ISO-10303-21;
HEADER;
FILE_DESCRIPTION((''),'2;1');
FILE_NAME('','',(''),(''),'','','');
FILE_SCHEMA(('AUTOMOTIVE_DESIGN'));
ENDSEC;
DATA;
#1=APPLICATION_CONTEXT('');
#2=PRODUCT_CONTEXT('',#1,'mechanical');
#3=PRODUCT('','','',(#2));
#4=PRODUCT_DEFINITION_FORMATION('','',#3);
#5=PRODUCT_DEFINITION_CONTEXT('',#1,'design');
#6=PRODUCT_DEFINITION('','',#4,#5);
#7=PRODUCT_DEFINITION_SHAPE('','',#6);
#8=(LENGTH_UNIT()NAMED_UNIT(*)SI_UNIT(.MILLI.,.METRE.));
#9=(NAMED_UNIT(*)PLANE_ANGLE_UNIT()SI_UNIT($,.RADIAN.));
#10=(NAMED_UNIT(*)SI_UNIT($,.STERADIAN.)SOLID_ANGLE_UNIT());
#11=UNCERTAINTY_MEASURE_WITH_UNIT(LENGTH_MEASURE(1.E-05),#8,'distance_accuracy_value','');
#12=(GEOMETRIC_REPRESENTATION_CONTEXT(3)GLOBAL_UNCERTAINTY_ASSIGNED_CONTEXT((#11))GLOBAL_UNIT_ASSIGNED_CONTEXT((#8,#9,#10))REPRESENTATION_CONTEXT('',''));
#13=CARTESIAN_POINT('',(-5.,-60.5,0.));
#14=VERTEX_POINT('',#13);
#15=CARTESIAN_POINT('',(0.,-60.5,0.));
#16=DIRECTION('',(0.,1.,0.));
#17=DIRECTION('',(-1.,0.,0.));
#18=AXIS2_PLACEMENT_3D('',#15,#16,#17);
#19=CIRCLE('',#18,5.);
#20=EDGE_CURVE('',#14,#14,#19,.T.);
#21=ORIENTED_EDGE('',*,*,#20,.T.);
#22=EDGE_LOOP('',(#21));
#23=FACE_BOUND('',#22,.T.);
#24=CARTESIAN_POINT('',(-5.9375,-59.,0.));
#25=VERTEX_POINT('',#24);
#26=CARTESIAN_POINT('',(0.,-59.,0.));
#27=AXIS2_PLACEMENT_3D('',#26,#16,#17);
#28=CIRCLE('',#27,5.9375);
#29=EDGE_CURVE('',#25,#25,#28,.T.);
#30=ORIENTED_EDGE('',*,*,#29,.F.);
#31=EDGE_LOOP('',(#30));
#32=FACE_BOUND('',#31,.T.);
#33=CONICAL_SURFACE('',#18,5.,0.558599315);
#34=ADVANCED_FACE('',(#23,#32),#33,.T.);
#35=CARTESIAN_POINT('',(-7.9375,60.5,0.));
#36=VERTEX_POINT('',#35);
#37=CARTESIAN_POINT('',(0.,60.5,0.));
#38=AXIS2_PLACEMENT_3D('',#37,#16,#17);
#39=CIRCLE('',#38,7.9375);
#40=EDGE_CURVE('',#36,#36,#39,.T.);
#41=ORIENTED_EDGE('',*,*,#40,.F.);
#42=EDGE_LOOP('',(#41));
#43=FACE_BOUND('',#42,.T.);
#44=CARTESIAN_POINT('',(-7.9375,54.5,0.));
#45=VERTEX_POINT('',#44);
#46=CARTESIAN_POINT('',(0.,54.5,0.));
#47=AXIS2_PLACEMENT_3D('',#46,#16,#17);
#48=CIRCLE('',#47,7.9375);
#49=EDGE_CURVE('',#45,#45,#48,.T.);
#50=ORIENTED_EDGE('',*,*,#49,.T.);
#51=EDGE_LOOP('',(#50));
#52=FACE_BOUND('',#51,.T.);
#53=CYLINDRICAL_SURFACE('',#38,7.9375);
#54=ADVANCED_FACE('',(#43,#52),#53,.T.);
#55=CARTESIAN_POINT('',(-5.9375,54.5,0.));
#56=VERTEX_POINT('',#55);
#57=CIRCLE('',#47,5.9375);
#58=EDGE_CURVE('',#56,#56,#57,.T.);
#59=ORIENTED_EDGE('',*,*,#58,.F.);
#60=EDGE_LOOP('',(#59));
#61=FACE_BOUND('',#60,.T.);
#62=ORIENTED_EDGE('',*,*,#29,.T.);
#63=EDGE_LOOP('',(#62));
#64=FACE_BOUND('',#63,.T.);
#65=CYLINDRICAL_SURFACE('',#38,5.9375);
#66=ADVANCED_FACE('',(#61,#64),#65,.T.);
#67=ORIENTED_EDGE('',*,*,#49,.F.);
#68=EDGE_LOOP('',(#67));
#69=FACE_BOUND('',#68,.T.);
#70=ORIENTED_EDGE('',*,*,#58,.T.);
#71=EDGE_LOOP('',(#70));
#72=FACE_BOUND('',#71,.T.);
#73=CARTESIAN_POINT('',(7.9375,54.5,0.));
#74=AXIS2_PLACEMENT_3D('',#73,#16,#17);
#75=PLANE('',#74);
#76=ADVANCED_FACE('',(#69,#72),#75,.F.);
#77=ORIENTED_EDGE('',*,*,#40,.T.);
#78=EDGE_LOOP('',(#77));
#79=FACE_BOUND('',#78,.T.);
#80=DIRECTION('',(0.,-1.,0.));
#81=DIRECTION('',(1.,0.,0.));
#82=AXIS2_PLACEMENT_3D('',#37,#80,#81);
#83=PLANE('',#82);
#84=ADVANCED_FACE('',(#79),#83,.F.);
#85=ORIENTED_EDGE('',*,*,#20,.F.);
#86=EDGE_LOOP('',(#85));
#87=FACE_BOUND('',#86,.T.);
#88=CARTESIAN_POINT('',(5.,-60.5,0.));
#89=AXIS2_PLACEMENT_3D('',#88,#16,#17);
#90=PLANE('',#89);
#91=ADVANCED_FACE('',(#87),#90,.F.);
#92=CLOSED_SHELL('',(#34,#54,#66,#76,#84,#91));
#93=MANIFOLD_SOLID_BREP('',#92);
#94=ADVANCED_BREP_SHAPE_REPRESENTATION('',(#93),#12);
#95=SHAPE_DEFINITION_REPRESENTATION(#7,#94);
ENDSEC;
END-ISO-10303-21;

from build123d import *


with BuildPart() as part:
    # Croquis1 → Revolución1 (revolve)
    with BuildSketch(Plane.XY, mode=Mode.PRIVATE) as revoluci_n1_sk:
        Polygon((0, 60.5), (7.9375, 60.5), (7.9375, 54.5), (5.9375, 54.5), (5.9375, -59), (5, -60.5), (0, -60.5), align=None)
    revolve(revoluci_n1_sk.sketch.rotate(Axis((0, 60.5, 0), (0, -1, 0)), 180), axis=Axis((0, 60.5, 0), (0, -1, 0)))


solid = part.part
